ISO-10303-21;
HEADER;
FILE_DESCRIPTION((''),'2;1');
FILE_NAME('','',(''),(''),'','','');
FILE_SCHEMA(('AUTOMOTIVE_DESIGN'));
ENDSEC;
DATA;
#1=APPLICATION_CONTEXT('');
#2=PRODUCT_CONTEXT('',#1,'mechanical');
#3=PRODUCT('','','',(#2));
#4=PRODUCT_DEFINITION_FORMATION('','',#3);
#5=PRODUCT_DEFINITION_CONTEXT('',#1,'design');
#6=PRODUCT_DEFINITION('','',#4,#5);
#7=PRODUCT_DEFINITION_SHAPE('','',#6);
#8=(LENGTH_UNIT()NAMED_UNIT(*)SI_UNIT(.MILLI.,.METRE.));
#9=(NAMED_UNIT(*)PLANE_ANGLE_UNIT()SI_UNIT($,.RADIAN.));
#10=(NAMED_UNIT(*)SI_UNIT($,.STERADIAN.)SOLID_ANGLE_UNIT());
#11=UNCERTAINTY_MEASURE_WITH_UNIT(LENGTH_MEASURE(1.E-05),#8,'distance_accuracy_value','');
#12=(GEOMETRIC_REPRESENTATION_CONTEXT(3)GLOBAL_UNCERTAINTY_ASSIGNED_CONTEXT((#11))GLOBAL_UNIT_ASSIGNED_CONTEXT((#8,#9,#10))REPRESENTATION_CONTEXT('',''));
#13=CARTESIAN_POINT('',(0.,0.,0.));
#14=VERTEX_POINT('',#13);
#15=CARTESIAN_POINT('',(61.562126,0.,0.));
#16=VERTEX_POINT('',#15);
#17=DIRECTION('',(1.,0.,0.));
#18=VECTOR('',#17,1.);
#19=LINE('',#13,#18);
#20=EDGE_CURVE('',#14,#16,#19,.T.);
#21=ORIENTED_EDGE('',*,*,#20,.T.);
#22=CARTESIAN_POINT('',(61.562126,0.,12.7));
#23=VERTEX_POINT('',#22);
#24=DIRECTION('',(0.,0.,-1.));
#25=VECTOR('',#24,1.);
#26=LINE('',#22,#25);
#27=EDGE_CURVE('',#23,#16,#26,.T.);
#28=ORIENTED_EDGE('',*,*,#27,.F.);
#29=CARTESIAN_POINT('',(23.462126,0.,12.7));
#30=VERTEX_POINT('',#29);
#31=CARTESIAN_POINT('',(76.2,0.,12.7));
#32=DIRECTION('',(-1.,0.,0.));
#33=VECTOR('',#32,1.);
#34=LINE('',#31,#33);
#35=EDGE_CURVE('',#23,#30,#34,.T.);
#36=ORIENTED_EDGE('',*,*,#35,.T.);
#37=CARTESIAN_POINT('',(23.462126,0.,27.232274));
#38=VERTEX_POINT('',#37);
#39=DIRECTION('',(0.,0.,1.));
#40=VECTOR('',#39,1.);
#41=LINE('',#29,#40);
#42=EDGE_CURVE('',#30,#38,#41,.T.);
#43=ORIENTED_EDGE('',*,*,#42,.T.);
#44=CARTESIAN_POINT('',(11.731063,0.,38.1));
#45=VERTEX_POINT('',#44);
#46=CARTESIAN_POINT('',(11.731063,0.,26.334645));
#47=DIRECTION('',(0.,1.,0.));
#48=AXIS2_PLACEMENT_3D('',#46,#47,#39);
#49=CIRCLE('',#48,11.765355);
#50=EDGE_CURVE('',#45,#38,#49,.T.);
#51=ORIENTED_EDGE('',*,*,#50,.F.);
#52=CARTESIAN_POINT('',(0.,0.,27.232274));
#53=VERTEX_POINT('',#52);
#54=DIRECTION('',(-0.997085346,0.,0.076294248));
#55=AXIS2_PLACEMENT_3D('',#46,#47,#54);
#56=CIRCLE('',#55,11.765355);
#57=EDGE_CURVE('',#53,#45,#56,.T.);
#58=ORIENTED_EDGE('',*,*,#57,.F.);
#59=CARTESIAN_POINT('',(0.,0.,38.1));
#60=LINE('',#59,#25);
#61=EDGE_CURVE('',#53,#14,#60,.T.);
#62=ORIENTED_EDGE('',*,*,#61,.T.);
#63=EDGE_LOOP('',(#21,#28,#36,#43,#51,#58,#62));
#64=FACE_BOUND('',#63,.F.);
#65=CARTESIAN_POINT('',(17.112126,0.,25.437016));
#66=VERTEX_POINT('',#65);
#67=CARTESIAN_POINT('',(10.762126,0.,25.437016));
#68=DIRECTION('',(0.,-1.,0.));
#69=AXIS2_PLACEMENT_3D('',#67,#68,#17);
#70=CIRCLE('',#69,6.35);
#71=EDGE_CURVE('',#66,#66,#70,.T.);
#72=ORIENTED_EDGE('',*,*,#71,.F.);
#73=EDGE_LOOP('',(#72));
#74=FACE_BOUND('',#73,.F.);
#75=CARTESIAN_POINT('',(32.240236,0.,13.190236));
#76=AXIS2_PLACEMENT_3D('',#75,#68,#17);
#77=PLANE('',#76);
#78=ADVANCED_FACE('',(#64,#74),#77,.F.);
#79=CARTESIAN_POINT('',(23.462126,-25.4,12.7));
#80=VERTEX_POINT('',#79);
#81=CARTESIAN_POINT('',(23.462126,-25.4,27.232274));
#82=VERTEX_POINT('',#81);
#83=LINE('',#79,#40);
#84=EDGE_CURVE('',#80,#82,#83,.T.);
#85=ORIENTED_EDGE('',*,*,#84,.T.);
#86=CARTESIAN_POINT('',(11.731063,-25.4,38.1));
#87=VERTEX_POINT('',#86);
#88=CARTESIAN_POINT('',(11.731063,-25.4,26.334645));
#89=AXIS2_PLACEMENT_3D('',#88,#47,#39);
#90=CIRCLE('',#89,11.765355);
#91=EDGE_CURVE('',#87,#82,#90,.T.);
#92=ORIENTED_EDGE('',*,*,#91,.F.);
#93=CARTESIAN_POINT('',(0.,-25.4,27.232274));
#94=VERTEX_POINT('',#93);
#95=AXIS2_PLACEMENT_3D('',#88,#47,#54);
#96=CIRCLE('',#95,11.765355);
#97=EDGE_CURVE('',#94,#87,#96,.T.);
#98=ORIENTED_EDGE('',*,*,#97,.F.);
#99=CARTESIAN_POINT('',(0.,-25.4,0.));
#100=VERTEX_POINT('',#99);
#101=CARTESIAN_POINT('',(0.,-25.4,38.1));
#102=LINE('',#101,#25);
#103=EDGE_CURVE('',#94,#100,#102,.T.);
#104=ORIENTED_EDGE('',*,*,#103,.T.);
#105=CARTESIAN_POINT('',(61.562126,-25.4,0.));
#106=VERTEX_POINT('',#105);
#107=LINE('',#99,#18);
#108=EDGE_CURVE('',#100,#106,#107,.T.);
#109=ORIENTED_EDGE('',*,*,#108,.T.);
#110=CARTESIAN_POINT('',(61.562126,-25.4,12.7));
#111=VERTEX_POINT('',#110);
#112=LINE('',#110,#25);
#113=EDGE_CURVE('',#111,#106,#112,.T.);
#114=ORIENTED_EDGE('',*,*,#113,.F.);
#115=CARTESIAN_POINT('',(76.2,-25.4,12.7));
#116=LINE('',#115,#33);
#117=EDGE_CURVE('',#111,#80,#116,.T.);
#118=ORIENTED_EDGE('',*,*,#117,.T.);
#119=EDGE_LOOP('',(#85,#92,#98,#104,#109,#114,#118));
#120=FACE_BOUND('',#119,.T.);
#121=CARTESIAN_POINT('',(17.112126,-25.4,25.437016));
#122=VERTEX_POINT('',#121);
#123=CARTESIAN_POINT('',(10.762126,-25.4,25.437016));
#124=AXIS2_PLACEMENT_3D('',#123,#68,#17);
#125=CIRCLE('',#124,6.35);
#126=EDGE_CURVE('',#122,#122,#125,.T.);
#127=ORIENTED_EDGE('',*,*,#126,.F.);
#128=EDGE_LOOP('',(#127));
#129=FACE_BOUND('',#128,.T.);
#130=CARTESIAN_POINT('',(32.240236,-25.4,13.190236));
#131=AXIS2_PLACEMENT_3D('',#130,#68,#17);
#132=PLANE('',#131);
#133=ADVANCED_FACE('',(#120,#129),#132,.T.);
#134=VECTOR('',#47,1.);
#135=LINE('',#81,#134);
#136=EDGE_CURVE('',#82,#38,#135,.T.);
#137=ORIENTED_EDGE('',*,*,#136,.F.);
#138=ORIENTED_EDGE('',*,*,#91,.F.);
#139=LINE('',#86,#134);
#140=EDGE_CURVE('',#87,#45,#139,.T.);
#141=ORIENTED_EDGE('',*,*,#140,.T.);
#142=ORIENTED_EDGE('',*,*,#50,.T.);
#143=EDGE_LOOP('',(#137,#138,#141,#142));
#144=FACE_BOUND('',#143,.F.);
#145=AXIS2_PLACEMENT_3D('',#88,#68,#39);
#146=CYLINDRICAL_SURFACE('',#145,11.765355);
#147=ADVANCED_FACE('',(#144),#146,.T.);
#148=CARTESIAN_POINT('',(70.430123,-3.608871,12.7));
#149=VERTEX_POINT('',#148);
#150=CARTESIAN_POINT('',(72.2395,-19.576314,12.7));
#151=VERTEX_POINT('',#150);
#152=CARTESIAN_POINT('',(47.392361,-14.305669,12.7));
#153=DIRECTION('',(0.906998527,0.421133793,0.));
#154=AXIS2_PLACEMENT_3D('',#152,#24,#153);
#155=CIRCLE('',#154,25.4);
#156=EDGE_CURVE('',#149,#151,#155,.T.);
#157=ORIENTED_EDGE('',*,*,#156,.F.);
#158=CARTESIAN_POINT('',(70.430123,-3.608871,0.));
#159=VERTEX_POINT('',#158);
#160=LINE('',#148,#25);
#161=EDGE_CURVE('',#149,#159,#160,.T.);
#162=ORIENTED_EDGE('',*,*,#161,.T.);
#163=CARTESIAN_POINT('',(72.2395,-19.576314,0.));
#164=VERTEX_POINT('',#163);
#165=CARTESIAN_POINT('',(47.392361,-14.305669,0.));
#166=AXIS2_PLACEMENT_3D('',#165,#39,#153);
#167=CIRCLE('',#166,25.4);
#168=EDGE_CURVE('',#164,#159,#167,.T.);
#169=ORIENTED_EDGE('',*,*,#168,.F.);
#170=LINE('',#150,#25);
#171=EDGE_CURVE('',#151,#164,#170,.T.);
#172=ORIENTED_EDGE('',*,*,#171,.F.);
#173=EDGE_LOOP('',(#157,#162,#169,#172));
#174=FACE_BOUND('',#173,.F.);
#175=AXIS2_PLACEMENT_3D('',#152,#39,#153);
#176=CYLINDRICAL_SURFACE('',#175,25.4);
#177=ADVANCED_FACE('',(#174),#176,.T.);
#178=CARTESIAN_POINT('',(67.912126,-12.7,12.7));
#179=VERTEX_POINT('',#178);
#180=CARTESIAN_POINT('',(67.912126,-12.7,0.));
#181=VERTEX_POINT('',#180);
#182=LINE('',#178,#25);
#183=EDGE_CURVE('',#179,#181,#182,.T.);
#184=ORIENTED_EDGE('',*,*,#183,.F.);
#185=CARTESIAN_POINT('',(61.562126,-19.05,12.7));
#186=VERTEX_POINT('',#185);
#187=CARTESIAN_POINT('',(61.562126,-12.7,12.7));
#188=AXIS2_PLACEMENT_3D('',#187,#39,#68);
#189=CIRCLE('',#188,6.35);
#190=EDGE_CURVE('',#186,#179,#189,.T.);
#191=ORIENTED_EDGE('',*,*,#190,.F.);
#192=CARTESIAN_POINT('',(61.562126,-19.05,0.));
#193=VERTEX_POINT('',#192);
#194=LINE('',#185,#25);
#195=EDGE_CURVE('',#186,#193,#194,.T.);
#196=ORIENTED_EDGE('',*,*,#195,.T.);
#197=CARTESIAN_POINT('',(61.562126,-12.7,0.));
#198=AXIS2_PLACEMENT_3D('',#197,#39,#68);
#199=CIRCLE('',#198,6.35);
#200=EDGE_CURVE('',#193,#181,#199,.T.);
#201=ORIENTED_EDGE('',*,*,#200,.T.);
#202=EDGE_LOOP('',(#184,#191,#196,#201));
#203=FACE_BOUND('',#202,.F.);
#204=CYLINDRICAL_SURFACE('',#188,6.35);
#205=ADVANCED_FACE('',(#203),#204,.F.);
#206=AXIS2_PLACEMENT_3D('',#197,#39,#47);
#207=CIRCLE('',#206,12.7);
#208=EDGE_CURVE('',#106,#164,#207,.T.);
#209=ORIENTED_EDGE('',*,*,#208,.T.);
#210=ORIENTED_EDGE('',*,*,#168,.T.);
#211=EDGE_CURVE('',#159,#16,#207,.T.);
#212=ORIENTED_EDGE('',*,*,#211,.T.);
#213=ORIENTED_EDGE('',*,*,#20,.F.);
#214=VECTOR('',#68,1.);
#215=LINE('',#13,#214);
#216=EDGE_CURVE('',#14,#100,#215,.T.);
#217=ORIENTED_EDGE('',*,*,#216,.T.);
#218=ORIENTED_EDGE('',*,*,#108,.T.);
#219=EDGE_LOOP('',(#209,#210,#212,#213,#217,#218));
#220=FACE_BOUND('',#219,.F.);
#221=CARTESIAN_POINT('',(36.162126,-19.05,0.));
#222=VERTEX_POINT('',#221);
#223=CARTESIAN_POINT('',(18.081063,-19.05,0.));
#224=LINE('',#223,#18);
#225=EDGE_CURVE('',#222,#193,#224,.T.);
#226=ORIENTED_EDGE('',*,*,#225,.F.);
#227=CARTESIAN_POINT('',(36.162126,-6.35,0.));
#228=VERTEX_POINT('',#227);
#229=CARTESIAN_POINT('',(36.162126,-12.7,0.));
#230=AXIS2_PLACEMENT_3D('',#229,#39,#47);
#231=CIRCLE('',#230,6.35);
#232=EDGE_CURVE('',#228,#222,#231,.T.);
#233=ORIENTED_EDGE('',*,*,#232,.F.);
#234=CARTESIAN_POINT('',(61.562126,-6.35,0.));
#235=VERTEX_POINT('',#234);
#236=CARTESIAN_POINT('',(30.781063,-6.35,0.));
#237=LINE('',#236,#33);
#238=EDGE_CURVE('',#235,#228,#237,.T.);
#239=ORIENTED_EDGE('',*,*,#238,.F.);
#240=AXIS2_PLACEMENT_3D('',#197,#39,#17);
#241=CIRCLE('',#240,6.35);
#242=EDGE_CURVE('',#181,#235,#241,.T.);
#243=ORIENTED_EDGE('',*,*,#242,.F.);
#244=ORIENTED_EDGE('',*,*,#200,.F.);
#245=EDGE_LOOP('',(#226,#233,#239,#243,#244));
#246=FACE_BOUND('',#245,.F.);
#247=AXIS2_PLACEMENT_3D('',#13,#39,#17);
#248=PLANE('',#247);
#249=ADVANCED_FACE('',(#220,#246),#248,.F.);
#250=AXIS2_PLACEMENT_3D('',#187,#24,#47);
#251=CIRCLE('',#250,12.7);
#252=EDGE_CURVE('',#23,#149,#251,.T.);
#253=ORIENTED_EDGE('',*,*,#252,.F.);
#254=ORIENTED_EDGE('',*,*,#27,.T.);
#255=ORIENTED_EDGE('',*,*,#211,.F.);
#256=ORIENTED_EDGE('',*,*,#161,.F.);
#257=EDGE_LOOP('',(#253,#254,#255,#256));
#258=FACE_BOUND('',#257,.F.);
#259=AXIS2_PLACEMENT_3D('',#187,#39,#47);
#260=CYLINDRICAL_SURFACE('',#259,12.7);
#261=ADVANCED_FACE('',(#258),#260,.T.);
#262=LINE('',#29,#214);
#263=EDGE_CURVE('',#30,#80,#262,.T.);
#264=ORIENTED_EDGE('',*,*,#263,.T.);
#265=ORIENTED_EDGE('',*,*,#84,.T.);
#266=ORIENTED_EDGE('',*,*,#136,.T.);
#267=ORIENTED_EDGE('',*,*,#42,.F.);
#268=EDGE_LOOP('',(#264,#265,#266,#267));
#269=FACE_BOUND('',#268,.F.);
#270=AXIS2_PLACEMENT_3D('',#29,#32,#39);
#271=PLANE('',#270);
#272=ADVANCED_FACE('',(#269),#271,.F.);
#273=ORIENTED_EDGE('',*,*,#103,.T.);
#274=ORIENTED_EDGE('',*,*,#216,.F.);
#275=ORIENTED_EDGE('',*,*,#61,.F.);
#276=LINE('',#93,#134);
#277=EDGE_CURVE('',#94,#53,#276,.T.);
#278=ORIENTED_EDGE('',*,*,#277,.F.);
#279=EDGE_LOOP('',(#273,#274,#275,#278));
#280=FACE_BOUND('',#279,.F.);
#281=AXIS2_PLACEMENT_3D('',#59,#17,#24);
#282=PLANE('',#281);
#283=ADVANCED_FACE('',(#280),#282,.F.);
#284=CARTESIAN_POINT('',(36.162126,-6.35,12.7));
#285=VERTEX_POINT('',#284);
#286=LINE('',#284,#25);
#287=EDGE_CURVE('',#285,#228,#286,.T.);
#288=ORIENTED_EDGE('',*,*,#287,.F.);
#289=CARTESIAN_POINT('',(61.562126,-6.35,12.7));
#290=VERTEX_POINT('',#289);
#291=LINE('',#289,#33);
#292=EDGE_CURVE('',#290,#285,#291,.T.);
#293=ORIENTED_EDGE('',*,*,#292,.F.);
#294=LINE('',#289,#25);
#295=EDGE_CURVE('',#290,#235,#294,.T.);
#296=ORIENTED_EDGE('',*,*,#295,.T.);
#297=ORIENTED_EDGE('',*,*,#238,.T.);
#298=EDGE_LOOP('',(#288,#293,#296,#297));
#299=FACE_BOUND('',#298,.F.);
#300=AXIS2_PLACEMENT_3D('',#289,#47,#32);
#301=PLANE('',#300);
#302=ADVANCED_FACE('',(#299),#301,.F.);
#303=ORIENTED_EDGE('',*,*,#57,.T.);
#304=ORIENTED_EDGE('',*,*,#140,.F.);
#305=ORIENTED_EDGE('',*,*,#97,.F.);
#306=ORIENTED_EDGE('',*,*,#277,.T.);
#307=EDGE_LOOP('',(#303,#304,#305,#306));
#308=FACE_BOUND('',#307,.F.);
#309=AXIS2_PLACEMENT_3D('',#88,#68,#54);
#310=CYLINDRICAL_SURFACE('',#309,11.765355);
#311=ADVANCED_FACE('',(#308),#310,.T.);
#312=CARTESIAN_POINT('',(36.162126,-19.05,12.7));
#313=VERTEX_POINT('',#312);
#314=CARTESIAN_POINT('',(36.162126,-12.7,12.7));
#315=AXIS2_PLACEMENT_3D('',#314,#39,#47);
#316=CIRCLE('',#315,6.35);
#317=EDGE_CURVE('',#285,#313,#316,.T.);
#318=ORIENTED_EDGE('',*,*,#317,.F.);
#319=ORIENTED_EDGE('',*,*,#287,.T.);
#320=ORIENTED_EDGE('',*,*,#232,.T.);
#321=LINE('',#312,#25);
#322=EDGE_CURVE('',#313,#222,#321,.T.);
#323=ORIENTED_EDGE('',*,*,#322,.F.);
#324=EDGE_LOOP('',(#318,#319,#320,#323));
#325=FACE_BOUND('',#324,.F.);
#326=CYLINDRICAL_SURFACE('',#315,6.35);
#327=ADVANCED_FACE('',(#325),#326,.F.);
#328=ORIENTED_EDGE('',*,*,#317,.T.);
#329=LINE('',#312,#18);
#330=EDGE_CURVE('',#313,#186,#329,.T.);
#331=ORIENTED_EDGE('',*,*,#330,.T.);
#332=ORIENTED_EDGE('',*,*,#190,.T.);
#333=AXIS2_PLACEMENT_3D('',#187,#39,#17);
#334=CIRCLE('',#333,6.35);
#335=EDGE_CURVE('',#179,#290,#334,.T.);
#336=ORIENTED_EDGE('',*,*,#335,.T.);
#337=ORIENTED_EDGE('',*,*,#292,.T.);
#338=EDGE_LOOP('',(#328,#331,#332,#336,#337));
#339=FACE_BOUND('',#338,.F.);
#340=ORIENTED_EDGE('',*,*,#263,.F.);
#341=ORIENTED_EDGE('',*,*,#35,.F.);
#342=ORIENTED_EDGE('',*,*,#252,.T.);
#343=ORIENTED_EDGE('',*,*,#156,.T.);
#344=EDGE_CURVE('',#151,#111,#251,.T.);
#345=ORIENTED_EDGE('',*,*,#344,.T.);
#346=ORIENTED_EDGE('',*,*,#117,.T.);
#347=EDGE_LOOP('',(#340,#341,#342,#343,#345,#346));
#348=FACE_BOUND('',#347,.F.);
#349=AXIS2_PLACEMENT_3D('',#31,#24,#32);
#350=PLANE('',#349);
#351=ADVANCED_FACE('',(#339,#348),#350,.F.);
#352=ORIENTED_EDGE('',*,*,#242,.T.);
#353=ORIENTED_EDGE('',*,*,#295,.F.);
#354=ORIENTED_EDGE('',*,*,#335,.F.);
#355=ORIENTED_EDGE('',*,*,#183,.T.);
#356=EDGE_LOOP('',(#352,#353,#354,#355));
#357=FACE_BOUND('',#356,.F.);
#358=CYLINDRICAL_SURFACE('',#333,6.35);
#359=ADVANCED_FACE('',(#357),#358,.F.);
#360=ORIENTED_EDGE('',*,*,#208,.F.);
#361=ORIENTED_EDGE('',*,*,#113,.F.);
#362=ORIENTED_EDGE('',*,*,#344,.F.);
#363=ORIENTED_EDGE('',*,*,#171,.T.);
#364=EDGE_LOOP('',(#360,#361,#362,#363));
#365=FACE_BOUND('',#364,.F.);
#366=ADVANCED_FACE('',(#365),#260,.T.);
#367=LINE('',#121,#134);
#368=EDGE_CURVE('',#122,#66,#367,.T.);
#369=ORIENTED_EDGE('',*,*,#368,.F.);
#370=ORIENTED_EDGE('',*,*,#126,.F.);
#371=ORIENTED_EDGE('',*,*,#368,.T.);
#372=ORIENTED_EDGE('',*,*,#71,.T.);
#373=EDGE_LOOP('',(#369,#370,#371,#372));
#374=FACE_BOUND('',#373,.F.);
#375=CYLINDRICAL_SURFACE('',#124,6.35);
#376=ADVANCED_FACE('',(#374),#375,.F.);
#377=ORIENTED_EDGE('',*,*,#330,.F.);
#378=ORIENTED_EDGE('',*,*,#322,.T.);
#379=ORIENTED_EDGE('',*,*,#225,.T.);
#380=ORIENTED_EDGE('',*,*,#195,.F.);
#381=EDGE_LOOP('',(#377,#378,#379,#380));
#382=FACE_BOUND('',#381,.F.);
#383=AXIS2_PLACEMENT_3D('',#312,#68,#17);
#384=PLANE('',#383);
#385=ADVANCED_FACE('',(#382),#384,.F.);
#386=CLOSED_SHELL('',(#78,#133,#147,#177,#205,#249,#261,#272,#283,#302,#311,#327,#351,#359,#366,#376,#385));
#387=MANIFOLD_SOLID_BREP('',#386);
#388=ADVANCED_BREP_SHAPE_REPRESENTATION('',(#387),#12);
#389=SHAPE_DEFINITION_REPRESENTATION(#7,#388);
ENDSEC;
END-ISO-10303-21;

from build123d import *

# Parameters (mm, degrees)
F1_DEPTH = 25.4
F2_R     = 6.35
F3_DEPTH = 25.4
F5_DEPTH = 25.4
F7_DEPTH = 25.4


with BuildPart() as f1:
    # F0 (on Front) → F1 (new body)
    with BuildSketch(Plane.XZ):
        Polygon((0, 38.1), (0, 0), (76.2, 0), (76.2, 12.7), (23.4621260909, 12.7), (23.4621260909, 38.1), align=None)
    extrude(amount=F1_DEPTH)

    # F2 (on face) → F3 (cut)
    with BuildSketch(Plane.XZ.offset(25.4)):
        with BuildLine():
            ThreePointArc((11.7310630454, 38.1), (19.7267698627, 34.9655343316), (23.4621260909, 27.2322739337))
            Line((23.4621260909, 27.2322739337), (23.4621260909, 38.1))
            Line((23.4621260909, 38.1), (11.7310630454, 38.1))
        make_face()
        with BuildLine():
            ThreePointArc((0, 27.2322739337), (3.7353562282, 34.9655343316), (11.7310630454, 38.1))
            Line((11.7310630454, 38.1), (0, 38.1))
            Line((0, 38.1), (0, 27.2322739337))
        make_face()
        with Locations((10.7621260909, 25.4370161029)):
            Circle(F2_R)
    extrude(amount=-F3_DEPTH, mode=Mode.SUBTRACT)

    # F4 (on face) → F5 (cut)
    with BuildSketch(Plane.XY.offset(12.7)):
        with BuildLine():
            ThreePointArc((67.9121260909, -12.7), (66.0522541514, -8.2098719395), (61.5621260909, -6.35))
            Line((61.5621260909, -6.35), (61.5621260909, -19.05))
            ThreePointArc((61.5621260909, -19.05), (66.0522541514, -17.1901280605), (67.9121260909, -12.7))
        make_face()
        with BuildLine():
            ThreePointArc((42.5121260909, -12.7), (40.6522541514, -8.2098719395), (36.1621260909, -6.35))
            Line((36.1621260909, -6.35), (36.1621260909, -19.05))
            ThreePointArc((36.1621260909, -19.05), (40.6522541514, -17.1901280605), (42.5121260909, -12.7))
        make_face()
        with BuildLine():
            Line((61.5621260909, -19.05), (61.5621260909, -6.35))
            ThreePointArc((61.5621260909, -6.35), (55.2121260909, -12.7), (61.5621260909, -19.05))
        make_face()
        with BuildLine():
            Line((61.5621260909, -6.35), (36.1621260909, -6.35))
            ThreePointArc((36.1621260909, -6.35), (40.6522541514, -8.2098719395), (42.5121260909, -12.7))
            ThreePointArc((42.5121260909, -12.7), (40.6522541514, -17.1901280605), (36.1621260909, -19.05))
            Line((36.1621260909, -19.05), (61.5621260909, -19.05))
            ThreePointArc((61.5621260909, -19.05), (55.2121260909, -12.7), (61.5621260909, -6.35))
        make_face()
        with BuildLine():
            Line((36.1621260909, -19.05), (36.1621260909, -6.35))
            ThreePointArc((36.1621260909, -6.35), (29.8121260909, -12.7), (36.1621260909, -19.05))
        make_face()
        with BuildLine():
            ThreePointArc((61.5621260909, 0), (74.2621260909, -12.7), (61.5621260909, -25.4))
            Line((61.5621260909, -25.4), (76.2, -25.4))
            Line((76.2, -25.4), (76.2, 0))
            Line((76.2, 0), (61.5621260909, 0))
        make_face()
    extrude(amount=-F5_DEPTH, mode=Mode.SUBTRACT)

    # F6 (on face) → F7 (cut)
    with BuildSketch(Plane.XY.offset(12.7)):
        with BuildLine():
            ThreePointArc((70.4301233526, -3.6088711061), (72.6308384047, -11.4457312958), (72.2394995097, -19.5763141925))
            ThreePointArc((72.2394995097, -19.5763141925), (74.1813649126, -11.2700309235), (70.4301233526, -3.6088711061))
        make_face()
    extrude(amount=-F7_DEPTH, mode=Mode.SUBTRACT)


solid = f1.part
